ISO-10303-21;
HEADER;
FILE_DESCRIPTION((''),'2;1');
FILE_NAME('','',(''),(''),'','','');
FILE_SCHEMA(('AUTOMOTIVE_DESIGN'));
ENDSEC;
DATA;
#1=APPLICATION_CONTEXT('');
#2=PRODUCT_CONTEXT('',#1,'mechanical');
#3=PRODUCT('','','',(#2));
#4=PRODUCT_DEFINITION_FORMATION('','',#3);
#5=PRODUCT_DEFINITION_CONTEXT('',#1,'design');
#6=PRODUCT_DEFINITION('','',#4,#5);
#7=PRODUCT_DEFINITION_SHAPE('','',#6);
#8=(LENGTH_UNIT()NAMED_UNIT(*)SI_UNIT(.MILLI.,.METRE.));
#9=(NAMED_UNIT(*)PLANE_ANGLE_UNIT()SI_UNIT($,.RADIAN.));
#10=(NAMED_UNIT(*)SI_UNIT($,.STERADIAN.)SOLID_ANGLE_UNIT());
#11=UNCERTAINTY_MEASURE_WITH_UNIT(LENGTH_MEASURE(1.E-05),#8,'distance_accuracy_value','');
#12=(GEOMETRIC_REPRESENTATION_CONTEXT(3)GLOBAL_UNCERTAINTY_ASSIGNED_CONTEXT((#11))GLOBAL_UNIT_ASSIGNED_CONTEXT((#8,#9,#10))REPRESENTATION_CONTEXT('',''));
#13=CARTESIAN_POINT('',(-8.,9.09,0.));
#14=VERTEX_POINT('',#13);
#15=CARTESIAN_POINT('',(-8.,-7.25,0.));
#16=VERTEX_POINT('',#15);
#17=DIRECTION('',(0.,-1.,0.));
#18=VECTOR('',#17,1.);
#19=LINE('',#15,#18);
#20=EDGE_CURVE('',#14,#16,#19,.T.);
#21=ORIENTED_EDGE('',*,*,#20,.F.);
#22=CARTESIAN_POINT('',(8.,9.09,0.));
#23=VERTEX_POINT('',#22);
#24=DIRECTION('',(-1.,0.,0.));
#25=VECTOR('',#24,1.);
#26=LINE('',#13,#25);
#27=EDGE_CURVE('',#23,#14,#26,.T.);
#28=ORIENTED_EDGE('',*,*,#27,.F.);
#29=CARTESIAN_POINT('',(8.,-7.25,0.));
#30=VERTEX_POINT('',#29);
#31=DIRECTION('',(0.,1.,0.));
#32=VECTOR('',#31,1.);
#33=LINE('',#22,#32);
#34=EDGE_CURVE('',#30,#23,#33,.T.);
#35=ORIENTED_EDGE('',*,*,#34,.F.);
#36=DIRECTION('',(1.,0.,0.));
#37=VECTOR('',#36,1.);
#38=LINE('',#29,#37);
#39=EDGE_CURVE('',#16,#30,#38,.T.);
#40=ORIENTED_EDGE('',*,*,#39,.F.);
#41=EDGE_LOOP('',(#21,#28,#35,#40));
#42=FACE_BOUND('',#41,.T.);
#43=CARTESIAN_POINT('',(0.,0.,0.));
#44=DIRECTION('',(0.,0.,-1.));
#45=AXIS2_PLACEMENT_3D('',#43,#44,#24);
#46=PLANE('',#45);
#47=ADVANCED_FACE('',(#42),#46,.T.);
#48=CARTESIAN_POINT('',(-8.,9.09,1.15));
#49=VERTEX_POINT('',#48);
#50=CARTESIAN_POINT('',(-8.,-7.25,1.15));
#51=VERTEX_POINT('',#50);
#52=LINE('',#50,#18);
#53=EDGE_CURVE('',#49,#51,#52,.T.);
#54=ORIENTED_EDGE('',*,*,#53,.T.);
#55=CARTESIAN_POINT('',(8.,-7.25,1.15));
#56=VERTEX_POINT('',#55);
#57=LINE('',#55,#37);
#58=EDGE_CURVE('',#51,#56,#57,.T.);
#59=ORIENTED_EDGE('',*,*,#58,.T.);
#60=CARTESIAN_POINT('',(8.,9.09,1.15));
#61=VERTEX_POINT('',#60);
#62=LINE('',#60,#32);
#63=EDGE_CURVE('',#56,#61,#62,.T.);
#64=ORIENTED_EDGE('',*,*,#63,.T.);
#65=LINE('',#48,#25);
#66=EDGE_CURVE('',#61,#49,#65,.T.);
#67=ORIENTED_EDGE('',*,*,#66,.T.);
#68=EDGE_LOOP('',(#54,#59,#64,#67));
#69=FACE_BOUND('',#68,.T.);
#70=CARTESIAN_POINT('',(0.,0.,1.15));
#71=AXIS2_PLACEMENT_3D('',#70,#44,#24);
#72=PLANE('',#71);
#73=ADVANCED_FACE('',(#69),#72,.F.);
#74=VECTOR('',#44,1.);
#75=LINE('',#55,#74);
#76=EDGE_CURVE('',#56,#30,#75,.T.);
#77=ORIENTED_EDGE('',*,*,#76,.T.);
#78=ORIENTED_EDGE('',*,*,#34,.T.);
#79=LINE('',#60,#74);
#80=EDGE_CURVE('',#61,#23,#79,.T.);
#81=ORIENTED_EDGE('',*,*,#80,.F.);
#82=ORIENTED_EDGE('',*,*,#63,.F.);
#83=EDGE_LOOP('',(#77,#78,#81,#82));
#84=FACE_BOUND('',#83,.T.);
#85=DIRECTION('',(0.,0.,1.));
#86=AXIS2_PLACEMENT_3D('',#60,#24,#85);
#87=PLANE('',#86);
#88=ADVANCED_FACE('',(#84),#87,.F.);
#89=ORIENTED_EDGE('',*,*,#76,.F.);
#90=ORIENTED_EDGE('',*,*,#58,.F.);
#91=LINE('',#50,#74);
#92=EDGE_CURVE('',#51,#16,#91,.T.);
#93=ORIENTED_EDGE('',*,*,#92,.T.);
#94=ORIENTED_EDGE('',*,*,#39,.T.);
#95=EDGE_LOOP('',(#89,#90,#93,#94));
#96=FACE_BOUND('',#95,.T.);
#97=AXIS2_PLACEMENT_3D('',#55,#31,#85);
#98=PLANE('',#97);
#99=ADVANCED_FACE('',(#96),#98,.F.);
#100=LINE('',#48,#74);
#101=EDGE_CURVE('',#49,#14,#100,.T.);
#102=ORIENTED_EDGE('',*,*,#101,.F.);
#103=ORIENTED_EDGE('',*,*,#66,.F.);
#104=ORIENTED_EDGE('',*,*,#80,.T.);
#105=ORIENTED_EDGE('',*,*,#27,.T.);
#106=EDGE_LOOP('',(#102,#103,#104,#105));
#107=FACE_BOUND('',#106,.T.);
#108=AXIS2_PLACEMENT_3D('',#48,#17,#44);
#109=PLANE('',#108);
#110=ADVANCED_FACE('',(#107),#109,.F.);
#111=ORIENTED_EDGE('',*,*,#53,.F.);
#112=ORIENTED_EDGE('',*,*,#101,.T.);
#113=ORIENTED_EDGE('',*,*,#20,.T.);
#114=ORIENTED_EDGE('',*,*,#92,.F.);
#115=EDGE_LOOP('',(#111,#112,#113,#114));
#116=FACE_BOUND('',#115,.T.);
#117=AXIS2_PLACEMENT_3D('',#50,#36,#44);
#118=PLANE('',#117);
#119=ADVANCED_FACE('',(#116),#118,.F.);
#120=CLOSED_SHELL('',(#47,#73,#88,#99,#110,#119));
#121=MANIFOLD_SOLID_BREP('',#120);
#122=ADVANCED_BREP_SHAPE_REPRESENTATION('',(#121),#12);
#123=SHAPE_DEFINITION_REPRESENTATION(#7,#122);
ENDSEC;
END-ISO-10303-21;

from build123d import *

# Parameters (mm, degrees)
SKETCH1_W               = 16
SKETCH1_H               = 16.34
COMPONENT_OUTLINE_DEPTH = 1.15


with BuildPart() as part:
    # Sketch1 → Component_Outline (new body)
    with BuildSketch(Plane.XY):
        with Locations((0, 0.92)):
            Rectangle(SKETCH1_W, SKETCH1_H)
    extrude(amount=COMPONENT_OUTLINE_DEPTH)


solid = part.part
